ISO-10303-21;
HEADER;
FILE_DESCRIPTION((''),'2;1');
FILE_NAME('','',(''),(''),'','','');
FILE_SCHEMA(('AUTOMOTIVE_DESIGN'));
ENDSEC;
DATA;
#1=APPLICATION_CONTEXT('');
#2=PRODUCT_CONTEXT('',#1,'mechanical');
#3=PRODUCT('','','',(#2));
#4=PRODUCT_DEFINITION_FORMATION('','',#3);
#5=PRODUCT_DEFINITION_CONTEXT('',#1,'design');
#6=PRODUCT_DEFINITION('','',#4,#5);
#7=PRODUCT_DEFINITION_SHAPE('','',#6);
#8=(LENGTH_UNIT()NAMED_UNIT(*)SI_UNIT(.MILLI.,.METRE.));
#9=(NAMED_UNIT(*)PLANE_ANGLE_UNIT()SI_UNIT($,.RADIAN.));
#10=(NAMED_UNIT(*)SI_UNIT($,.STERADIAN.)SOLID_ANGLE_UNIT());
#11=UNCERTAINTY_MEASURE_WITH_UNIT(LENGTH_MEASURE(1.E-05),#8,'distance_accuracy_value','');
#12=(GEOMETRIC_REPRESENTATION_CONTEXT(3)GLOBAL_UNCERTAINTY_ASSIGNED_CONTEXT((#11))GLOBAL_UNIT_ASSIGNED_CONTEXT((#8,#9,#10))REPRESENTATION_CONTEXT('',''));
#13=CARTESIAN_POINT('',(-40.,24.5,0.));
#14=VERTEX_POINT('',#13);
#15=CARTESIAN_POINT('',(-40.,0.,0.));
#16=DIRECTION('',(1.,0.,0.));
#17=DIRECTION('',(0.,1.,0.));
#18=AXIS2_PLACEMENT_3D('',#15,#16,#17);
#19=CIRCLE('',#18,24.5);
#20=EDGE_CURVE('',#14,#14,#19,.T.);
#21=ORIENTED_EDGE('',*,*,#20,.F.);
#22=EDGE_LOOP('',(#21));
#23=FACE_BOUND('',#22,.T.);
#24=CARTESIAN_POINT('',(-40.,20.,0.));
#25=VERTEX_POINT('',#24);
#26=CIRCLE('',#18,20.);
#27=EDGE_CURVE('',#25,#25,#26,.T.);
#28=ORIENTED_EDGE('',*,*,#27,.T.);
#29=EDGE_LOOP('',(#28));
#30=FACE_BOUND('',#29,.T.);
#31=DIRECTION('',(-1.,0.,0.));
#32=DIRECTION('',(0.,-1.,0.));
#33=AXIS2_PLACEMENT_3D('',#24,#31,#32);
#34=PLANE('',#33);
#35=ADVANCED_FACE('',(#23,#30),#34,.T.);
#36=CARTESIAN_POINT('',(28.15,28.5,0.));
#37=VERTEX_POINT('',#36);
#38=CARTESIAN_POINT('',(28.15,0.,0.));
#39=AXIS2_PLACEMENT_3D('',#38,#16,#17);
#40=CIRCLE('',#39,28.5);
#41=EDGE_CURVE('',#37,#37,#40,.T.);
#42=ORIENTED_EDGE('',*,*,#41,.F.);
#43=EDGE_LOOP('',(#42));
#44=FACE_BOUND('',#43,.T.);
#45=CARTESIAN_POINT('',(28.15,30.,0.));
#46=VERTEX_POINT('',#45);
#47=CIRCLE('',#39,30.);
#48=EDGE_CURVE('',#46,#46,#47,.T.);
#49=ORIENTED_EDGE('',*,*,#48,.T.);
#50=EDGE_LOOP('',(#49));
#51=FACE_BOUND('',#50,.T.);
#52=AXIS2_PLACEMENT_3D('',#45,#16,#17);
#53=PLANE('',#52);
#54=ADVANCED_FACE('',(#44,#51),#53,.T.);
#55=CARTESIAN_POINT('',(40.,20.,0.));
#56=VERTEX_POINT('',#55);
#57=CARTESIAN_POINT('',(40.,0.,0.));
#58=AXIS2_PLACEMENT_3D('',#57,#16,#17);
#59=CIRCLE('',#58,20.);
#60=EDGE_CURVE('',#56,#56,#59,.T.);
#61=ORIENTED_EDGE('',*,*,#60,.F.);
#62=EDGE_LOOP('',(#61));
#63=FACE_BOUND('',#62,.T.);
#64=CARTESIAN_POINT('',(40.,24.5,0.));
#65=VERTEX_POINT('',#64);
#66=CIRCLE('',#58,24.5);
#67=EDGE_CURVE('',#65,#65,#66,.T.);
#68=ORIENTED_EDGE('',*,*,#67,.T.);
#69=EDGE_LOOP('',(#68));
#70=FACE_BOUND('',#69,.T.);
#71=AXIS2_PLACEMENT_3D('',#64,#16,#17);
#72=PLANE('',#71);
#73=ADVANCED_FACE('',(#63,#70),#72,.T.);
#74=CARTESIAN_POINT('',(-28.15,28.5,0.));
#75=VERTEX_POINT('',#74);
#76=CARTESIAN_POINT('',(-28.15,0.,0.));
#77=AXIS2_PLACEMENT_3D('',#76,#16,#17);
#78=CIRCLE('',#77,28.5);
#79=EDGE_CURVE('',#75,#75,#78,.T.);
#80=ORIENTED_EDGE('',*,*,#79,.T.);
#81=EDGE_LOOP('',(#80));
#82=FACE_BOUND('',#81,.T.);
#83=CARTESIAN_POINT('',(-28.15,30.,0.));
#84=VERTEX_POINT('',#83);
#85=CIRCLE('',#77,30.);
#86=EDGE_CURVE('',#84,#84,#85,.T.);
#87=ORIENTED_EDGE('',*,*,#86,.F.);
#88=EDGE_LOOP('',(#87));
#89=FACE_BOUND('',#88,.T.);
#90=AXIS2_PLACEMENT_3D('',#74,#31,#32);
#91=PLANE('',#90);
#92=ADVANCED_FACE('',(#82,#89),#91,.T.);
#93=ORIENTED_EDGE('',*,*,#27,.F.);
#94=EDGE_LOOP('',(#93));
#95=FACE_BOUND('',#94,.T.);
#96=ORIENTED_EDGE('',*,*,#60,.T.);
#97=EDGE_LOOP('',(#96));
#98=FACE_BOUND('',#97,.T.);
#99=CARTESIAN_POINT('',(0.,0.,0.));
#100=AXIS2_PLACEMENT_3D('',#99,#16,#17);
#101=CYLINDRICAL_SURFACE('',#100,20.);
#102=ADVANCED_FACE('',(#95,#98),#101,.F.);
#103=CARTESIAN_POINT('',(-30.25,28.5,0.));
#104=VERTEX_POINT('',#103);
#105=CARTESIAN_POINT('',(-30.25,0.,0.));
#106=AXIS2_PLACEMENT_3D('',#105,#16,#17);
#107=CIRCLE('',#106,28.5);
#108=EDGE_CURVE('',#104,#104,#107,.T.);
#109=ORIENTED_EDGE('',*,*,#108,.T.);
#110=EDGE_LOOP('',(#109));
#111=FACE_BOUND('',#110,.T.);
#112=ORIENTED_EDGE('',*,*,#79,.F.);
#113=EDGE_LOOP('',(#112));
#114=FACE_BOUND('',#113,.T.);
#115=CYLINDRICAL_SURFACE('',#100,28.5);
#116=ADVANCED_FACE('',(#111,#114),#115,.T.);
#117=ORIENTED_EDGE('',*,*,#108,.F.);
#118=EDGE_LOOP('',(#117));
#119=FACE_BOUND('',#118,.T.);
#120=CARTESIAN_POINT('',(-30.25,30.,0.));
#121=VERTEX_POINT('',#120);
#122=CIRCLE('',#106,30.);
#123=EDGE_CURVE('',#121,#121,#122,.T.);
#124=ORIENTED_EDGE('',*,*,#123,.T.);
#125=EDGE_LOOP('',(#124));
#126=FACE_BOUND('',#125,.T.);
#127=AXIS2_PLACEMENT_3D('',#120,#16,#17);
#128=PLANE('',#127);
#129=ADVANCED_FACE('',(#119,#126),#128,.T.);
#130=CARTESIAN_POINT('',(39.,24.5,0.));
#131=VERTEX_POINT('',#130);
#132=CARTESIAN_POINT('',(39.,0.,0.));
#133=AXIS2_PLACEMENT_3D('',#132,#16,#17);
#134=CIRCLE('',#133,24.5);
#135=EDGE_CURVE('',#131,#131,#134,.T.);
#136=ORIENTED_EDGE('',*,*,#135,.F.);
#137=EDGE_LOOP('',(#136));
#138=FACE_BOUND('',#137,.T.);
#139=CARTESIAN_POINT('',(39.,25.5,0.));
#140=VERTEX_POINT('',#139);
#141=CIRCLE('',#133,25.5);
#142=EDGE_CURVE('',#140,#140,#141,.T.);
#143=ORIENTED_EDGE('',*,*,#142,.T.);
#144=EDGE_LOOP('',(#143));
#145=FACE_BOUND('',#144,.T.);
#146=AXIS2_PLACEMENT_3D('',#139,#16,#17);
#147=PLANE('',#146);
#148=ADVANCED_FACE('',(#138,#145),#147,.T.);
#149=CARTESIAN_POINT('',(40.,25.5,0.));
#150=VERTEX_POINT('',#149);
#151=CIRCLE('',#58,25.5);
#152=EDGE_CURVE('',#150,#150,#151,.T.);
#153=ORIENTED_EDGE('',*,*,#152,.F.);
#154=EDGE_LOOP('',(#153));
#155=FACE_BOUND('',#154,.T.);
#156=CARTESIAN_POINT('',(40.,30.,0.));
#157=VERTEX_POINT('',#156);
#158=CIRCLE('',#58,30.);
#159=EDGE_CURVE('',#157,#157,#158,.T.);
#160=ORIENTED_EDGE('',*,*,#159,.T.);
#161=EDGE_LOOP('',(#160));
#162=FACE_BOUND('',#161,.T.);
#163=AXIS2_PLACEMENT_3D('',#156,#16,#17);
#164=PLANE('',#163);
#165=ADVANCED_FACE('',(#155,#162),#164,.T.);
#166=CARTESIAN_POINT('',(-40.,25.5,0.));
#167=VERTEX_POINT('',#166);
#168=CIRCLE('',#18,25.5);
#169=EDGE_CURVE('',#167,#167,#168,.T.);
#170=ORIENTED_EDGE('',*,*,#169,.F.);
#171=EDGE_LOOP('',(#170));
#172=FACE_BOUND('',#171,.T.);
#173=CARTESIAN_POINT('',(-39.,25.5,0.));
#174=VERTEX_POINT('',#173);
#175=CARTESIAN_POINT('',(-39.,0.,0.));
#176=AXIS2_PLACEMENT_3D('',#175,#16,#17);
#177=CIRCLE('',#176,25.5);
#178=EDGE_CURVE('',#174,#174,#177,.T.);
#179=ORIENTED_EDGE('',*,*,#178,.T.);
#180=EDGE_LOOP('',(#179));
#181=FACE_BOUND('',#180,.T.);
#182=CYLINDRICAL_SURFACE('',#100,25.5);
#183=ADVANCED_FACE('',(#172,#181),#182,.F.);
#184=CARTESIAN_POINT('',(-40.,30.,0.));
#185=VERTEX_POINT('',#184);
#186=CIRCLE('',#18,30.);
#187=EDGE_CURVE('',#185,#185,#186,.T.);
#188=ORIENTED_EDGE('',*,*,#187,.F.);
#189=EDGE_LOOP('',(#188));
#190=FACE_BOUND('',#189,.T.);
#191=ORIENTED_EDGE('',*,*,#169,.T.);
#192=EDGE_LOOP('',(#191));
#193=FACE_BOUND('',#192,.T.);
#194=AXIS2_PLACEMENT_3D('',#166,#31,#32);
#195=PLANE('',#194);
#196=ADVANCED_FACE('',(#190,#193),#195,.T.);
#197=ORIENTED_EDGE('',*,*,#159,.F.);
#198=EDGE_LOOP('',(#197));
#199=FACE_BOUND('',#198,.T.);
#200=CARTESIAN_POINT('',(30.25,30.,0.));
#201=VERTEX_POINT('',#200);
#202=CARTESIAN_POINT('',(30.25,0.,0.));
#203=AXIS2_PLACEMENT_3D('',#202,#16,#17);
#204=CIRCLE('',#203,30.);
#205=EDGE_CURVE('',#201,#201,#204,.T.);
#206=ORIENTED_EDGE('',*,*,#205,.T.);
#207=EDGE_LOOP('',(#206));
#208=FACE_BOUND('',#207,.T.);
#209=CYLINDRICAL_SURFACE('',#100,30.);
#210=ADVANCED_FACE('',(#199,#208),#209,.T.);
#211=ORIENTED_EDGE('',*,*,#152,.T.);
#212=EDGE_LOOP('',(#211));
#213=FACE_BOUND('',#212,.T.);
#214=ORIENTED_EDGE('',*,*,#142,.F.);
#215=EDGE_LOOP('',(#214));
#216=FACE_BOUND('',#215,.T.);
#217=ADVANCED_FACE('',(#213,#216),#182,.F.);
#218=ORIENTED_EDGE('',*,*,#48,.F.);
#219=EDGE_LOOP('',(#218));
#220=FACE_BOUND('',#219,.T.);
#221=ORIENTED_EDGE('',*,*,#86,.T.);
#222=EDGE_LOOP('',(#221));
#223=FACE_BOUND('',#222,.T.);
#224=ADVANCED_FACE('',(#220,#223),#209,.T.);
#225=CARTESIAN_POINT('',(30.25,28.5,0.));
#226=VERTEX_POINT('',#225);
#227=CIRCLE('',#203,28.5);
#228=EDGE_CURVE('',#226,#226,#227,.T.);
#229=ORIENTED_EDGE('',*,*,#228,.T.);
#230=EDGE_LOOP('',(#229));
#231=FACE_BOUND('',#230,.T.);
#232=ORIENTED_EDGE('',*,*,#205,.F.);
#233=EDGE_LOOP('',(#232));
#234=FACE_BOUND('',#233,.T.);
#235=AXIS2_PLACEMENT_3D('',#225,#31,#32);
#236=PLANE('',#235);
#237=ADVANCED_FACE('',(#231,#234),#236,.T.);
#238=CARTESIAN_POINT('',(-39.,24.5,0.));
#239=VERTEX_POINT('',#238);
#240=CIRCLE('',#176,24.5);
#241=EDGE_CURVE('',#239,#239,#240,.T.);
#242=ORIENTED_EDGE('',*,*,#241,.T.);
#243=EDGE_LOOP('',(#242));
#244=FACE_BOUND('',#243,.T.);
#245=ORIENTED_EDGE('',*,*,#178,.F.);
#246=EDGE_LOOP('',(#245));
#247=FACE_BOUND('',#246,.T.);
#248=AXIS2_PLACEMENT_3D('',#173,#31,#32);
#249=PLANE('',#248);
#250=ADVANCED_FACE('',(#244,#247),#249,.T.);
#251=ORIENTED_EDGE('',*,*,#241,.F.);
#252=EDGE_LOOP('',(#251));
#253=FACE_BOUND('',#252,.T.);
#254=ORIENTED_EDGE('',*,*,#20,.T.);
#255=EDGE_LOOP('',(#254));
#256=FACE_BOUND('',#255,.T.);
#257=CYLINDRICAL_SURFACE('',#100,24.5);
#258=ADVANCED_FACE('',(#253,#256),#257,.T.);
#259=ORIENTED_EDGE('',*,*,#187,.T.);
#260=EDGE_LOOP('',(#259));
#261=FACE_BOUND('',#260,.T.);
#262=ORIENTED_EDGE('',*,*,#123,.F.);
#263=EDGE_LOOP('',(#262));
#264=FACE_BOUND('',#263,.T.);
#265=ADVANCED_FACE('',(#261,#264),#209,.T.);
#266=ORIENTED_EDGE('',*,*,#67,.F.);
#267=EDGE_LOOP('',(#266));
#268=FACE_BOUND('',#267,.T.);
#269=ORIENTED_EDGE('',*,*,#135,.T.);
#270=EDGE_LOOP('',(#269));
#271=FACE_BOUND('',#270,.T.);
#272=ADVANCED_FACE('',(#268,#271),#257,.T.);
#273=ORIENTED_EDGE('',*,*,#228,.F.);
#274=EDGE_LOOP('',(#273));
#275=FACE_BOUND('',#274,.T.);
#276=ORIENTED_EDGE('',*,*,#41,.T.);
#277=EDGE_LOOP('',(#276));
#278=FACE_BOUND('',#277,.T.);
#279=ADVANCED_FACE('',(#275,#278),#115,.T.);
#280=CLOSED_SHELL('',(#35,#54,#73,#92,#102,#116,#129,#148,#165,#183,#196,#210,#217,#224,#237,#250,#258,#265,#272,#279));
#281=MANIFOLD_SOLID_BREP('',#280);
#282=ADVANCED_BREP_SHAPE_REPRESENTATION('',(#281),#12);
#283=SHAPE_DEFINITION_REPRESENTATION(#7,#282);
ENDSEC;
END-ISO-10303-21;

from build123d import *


with BuildPart() as part:
    # Esboço1 → Revolução1 (revolve)
    with BuildSketch(Plane.XY):
        Polygon((-40, 30), (-30.25, 30), (-30.25, 28.5), (-28.15, 28.5), (-28.15, 30), (28.15, 30), (28.15, 28.5), (30.25, 28.5), (30.25, 30), (40, 30), (40, 25.5), (39, 25.5), (39, 24.5), (40, 24.5), (40, 20), (-40, 20), (-40, 24.5), (-39, 24.5), (-39, 25.5), (-40, 25.5), align=None)
    revolve(axis=Axis((0, 0, 0), (-1, 0, 0)))


solid = part.part
